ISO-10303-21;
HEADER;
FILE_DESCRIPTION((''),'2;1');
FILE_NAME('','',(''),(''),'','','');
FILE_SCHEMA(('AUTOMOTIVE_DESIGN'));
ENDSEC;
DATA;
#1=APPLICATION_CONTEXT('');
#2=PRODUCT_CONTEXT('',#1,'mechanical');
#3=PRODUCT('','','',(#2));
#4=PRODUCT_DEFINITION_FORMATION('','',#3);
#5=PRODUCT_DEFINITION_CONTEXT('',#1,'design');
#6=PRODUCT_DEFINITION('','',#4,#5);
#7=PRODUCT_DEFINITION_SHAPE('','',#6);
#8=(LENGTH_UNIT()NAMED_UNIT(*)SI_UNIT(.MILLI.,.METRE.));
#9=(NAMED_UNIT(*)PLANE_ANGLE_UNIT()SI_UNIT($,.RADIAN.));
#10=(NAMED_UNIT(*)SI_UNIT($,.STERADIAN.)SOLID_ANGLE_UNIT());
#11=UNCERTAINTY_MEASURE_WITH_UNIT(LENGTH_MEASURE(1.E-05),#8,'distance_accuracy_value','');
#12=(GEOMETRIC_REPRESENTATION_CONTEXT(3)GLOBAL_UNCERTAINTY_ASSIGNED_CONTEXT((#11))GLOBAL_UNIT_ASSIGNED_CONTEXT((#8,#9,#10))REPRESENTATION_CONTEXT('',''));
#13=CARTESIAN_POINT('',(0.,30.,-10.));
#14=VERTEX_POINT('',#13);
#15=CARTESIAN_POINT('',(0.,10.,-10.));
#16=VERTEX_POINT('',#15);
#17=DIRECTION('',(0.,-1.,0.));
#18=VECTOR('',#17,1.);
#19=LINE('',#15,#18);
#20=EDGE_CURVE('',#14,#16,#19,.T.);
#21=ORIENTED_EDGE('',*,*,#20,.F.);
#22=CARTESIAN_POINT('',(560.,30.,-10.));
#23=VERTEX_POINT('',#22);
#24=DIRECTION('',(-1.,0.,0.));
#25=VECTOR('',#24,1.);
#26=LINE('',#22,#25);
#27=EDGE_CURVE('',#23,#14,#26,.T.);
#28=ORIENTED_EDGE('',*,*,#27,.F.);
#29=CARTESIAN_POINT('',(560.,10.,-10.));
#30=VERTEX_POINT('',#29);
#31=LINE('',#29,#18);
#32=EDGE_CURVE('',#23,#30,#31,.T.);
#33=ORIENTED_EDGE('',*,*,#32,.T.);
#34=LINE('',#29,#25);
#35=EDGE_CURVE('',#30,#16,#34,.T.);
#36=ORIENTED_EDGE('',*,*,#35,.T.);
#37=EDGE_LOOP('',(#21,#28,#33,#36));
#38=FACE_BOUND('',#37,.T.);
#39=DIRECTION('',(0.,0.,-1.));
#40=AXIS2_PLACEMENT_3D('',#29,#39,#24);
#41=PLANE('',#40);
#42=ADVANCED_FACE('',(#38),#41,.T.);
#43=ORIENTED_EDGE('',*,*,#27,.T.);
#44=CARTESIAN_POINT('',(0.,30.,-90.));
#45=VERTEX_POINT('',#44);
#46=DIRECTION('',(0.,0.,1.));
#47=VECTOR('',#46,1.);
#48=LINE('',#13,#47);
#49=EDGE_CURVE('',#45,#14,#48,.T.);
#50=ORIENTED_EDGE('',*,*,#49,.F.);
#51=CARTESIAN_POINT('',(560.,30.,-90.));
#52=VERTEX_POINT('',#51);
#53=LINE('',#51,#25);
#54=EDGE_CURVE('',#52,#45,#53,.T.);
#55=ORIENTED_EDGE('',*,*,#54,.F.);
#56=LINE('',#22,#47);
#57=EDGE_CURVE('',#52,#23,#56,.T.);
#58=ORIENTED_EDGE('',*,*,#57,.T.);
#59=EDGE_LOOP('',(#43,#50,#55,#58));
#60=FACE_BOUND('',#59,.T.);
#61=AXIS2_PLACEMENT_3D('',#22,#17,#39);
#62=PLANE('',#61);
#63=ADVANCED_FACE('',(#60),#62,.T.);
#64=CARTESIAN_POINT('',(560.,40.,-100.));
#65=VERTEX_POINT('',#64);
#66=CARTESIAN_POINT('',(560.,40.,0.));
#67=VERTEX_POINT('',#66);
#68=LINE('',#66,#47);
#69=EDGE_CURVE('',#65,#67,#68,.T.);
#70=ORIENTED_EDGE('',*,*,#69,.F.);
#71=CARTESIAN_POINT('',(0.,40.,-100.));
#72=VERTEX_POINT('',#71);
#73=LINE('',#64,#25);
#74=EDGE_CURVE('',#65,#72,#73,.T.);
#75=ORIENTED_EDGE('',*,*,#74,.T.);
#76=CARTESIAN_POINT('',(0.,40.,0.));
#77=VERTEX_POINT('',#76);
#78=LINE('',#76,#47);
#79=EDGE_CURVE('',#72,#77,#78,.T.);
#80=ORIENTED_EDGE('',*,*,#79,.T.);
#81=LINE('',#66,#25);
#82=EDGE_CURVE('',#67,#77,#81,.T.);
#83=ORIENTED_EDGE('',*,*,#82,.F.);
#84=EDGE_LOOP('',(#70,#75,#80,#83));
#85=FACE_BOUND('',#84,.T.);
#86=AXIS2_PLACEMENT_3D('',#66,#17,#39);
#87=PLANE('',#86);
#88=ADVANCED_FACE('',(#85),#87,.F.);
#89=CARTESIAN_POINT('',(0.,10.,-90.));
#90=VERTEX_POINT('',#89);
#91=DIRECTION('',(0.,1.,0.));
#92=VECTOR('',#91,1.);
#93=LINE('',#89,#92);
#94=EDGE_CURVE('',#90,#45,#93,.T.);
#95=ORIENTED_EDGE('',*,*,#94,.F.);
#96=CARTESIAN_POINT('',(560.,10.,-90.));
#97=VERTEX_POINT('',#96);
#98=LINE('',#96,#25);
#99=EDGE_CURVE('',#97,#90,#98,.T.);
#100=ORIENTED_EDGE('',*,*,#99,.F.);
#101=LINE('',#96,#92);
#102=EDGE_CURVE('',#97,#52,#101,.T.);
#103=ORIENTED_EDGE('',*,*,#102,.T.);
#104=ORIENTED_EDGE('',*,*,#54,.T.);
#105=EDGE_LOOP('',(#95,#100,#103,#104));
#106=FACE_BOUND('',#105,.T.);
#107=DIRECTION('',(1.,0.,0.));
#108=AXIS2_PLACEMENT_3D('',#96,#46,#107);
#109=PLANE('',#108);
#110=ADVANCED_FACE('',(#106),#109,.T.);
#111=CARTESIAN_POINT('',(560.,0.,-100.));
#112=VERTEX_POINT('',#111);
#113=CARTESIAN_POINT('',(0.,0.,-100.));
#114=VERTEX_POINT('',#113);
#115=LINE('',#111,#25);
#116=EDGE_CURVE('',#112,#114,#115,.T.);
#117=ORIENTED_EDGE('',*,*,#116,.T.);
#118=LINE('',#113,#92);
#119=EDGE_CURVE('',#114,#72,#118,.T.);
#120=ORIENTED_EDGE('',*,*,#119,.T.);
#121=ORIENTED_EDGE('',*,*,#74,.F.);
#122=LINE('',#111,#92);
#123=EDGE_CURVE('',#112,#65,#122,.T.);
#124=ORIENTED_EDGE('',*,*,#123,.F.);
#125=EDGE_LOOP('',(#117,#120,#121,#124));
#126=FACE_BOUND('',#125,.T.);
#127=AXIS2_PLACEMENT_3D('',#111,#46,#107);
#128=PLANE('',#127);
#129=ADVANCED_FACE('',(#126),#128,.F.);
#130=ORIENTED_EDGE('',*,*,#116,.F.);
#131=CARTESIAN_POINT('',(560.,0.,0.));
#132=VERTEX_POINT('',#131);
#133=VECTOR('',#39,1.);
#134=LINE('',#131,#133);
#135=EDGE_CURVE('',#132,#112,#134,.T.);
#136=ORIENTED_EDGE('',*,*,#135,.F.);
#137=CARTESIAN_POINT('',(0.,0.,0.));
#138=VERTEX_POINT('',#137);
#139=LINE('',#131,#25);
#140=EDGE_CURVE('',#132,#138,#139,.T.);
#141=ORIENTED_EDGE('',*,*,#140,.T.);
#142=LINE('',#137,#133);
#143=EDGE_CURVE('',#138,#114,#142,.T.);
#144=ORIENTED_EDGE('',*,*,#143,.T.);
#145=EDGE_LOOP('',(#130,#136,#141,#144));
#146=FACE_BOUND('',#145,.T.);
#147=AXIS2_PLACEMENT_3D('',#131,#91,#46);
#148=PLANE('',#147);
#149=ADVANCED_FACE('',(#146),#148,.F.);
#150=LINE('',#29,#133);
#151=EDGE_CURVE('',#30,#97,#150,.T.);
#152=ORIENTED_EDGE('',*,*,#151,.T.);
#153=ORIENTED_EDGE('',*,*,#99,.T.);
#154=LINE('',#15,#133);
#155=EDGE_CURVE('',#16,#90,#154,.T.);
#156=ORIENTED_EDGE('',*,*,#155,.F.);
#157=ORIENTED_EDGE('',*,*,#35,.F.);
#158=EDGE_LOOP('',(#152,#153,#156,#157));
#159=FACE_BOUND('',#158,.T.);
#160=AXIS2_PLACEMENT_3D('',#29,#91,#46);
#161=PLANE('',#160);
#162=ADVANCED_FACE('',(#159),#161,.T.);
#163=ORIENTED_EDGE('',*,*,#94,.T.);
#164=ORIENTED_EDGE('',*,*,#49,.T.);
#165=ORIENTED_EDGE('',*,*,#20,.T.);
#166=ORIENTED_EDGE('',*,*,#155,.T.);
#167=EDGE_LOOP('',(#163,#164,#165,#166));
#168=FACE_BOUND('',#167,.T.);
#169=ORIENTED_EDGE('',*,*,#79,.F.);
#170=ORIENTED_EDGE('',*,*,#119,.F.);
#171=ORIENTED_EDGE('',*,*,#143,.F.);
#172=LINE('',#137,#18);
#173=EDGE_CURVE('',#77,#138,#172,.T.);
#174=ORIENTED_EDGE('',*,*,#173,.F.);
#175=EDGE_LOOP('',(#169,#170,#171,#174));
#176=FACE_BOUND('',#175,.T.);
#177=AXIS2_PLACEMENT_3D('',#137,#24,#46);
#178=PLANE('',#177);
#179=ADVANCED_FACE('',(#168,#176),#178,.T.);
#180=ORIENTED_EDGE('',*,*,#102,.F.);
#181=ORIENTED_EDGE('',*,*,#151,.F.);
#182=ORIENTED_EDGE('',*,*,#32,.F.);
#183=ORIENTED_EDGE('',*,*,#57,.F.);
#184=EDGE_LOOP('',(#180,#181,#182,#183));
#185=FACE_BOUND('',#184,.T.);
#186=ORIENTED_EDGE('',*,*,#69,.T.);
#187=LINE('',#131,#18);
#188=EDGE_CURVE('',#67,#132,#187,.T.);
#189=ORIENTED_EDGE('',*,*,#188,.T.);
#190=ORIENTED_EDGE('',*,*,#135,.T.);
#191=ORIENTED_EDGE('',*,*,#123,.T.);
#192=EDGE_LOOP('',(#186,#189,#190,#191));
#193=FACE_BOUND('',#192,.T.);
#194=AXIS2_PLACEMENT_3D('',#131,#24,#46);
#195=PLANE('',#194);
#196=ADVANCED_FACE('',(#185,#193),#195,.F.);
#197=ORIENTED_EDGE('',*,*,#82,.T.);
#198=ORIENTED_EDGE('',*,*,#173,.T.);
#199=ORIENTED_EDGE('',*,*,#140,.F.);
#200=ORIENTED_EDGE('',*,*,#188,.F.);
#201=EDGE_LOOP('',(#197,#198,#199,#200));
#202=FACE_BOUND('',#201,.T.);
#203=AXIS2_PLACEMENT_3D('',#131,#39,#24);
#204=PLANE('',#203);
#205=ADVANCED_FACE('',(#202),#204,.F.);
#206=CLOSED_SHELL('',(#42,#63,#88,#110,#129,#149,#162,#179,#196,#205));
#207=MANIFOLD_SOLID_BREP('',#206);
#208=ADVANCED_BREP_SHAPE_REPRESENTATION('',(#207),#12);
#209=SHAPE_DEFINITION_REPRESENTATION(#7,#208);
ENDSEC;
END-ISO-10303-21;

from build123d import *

# Parameters (mm, degrees)
SKETCH1_W           = 100
SKETCH1_H           = 40
SKETCH1_W_2         = 80
SKETCH1_H_2         = 20
BOSS_EXTRUDE1_DEPTH = 560


with BuildPart() as part:
    # Sketch1 → Boss-Extrude1 (new body)
    with BuildSketch(Plane(origin=(0, 0, 0), x_dir=(0, 0, -1), z_dir=(1, 0, 0))):
        with Locations((50, 20)):
            Rectangle(SKETCH1_W, SKETCH1_H)
        with Locations((50, 20)):
            Rectangle(SKETCH1_W_2, SKETCH1_H_2, mode=Mode.SUBTRACT)
    extrude(amount=BOSS_EXTRUDE1_DEPTH)


solid = part.part
